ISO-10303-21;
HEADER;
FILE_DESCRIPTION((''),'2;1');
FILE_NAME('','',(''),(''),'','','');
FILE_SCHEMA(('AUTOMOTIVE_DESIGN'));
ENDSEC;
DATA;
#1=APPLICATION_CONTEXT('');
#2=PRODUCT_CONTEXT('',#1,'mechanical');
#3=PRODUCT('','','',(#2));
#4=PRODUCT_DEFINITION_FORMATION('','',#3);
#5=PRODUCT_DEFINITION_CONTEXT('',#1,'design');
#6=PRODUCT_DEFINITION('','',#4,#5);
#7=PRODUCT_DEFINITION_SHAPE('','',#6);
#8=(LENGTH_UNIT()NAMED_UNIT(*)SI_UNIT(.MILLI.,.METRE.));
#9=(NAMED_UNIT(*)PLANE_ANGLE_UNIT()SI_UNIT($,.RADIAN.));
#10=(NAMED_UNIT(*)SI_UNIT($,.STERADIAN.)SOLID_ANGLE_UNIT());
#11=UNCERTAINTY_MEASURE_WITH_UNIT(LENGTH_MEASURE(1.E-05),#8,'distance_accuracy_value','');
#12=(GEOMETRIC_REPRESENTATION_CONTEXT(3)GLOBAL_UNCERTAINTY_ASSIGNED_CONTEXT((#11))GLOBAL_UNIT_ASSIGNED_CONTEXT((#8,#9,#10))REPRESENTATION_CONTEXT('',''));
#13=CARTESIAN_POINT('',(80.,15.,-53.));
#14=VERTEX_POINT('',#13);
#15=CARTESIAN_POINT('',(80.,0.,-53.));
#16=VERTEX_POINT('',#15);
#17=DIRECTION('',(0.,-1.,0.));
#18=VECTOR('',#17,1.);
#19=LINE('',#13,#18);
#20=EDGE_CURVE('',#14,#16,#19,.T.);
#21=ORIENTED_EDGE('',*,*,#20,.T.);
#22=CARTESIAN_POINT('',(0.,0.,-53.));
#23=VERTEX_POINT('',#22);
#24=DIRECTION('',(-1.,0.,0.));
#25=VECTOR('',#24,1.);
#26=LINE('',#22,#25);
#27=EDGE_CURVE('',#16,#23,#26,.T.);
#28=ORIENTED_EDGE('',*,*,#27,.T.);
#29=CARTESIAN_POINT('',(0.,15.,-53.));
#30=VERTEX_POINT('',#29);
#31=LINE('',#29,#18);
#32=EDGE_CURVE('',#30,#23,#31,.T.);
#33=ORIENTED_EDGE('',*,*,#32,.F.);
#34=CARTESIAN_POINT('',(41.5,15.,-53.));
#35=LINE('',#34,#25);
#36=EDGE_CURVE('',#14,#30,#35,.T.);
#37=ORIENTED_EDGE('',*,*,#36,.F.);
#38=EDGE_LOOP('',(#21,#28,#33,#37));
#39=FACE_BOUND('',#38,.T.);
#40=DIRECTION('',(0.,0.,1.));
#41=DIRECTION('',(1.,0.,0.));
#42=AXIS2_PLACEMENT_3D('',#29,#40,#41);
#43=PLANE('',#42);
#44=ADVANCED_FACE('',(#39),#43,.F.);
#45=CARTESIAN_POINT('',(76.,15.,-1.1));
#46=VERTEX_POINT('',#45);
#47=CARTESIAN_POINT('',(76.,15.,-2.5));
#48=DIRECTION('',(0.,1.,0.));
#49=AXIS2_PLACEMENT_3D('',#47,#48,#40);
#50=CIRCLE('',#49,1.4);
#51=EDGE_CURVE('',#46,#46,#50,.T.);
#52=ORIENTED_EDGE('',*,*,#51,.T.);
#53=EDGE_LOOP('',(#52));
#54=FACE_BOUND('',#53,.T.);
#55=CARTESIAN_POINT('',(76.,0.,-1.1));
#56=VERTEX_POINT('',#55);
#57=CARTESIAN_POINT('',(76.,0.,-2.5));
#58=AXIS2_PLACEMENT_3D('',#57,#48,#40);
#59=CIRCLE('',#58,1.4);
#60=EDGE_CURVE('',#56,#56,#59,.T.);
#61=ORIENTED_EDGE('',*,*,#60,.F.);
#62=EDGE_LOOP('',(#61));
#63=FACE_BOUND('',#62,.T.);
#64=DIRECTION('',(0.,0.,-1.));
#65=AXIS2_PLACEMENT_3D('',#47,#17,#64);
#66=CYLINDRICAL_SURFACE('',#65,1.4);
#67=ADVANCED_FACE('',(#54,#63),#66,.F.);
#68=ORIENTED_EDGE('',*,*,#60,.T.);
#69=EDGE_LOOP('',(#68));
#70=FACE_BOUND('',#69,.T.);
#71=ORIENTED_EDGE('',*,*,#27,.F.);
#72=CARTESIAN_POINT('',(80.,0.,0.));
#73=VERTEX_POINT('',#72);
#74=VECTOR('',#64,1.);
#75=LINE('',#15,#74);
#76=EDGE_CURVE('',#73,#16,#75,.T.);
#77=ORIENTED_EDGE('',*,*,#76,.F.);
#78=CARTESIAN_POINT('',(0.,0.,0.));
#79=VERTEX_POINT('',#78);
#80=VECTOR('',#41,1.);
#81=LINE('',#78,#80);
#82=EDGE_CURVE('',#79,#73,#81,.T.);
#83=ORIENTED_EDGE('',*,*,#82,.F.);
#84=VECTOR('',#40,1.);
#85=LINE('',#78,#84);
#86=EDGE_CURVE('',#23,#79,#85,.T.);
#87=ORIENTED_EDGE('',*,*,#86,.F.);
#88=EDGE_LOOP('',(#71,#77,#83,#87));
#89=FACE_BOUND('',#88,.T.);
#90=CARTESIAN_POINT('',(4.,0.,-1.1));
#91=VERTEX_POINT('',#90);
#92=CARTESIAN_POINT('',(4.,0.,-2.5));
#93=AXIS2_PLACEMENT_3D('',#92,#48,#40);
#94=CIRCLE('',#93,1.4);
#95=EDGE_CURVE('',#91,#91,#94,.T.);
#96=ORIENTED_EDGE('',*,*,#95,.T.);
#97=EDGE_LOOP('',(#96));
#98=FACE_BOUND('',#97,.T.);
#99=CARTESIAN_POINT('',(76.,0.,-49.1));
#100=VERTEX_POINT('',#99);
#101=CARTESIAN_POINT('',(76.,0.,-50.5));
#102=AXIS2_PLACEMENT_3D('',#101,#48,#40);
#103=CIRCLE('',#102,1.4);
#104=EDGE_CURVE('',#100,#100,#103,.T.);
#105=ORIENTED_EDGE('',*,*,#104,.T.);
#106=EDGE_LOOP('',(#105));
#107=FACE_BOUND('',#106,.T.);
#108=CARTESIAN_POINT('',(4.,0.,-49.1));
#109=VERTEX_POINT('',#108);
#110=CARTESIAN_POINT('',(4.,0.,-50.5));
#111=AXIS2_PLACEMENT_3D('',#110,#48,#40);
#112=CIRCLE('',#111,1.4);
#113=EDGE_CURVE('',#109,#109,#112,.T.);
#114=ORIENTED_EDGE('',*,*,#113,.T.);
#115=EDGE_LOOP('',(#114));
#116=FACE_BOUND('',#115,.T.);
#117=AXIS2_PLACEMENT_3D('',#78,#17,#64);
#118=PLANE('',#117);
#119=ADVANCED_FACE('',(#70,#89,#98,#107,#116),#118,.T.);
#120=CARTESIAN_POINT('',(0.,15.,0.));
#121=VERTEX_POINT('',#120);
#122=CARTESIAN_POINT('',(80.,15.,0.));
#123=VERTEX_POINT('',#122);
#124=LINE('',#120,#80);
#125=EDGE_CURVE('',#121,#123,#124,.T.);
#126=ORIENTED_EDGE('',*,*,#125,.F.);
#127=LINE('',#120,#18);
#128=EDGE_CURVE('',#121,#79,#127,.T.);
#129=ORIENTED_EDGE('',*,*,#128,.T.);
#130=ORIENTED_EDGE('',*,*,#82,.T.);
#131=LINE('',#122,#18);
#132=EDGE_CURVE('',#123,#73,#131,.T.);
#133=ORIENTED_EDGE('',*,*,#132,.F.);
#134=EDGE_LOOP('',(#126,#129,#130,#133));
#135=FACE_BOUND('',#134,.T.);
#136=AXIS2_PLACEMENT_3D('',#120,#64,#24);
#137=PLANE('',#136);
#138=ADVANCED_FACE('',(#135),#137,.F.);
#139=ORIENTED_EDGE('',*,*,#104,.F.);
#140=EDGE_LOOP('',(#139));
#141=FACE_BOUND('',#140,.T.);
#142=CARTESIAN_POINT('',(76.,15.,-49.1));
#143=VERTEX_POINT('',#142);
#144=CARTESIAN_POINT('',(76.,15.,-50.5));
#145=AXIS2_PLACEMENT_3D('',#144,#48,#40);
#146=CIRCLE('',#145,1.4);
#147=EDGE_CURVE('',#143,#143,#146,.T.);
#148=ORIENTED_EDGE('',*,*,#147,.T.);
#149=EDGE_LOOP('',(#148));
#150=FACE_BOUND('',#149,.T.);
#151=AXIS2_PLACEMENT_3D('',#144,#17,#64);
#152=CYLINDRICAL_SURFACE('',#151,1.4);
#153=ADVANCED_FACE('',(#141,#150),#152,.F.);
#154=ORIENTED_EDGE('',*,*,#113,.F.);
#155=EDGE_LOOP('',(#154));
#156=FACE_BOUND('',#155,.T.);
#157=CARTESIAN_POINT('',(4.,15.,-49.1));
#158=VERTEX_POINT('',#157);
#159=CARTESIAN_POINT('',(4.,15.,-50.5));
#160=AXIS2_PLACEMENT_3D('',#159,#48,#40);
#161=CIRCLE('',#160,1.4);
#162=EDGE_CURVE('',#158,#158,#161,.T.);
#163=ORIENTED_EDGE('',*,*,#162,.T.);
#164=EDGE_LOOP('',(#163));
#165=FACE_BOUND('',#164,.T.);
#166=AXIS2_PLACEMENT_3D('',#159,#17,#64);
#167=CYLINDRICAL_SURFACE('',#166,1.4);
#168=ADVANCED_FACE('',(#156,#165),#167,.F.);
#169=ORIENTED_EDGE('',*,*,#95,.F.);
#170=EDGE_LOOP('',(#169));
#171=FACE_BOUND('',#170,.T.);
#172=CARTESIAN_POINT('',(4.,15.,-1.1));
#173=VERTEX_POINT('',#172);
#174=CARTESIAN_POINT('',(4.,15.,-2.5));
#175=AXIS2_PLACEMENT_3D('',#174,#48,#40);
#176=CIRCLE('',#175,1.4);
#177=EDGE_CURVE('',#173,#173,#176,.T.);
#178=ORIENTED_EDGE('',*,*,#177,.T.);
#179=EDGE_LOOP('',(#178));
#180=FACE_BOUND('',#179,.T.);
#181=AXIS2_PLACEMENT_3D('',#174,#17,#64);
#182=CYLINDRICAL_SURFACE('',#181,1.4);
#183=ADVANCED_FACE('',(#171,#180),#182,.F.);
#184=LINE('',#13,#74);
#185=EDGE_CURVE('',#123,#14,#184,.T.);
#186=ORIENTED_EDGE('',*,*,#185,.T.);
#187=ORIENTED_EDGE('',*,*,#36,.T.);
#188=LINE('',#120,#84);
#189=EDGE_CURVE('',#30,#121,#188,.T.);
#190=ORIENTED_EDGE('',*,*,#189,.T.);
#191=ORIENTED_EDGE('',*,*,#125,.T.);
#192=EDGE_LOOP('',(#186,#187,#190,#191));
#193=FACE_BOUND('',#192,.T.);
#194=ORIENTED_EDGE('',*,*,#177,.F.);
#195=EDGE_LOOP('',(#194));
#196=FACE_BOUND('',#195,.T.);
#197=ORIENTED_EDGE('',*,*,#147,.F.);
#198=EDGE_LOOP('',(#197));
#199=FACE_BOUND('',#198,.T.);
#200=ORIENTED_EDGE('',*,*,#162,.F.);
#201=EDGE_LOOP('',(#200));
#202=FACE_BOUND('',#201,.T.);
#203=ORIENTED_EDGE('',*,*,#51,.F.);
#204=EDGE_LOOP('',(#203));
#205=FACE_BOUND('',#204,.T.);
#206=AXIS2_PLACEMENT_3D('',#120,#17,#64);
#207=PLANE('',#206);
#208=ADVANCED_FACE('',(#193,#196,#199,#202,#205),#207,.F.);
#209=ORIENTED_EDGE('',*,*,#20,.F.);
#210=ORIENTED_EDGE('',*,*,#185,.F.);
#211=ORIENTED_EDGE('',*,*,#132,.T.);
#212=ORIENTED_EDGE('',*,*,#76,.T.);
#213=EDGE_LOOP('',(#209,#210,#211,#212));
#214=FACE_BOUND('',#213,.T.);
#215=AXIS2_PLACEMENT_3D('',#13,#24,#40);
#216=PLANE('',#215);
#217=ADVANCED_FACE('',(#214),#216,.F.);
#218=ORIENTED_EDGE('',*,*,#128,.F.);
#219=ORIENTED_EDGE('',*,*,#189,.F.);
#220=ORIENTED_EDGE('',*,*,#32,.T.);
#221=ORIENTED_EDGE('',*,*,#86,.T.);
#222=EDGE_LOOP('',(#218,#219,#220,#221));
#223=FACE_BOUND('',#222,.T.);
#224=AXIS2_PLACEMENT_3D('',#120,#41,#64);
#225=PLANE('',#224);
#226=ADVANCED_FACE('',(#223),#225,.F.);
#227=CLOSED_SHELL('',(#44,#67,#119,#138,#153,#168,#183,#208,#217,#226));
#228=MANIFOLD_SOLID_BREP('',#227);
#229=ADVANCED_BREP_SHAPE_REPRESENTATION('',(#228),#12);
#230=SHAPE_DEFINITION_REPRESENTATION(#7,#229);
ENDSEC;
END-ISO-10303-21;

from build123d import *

# Parameters (mm, degrees)
SKETCH_1_R      = 1.4
EXTRUDE_1_DEPTH = 15


with BuildPart() as part:
    # 草图1 → 凸台-拉伸1 (new body)
    with BuildSketch(Plane(origin=(0, 0, 0), x_dir=(1, 0, 0), z_dir=(0, 1, 0))):
        Polygon((80, 53), (80, 0), (0, 0), (0, 53), (39.5, 53), (41.5, 53), align=None)
        with Locations((76, 50.5)):
            Circle(SKETCH_1_R, mode=Mode.SUBTRACT)
        with Locations((76, 2.5)):
            Circle(SKETCH_1_R, mode=Mode.SUBTRACT)
        with Locations((4, 50.5)):
            Circle(SKETCH_1_R, mode=Mode.SUBTRACT)
        with Locations((4, 2.5)):
            Circle(SKETCH_1_R, mode=Mode.SUBTRACT)
    extrude(amount=EXTRUDE_1_DEPTH)


solid = part.part
